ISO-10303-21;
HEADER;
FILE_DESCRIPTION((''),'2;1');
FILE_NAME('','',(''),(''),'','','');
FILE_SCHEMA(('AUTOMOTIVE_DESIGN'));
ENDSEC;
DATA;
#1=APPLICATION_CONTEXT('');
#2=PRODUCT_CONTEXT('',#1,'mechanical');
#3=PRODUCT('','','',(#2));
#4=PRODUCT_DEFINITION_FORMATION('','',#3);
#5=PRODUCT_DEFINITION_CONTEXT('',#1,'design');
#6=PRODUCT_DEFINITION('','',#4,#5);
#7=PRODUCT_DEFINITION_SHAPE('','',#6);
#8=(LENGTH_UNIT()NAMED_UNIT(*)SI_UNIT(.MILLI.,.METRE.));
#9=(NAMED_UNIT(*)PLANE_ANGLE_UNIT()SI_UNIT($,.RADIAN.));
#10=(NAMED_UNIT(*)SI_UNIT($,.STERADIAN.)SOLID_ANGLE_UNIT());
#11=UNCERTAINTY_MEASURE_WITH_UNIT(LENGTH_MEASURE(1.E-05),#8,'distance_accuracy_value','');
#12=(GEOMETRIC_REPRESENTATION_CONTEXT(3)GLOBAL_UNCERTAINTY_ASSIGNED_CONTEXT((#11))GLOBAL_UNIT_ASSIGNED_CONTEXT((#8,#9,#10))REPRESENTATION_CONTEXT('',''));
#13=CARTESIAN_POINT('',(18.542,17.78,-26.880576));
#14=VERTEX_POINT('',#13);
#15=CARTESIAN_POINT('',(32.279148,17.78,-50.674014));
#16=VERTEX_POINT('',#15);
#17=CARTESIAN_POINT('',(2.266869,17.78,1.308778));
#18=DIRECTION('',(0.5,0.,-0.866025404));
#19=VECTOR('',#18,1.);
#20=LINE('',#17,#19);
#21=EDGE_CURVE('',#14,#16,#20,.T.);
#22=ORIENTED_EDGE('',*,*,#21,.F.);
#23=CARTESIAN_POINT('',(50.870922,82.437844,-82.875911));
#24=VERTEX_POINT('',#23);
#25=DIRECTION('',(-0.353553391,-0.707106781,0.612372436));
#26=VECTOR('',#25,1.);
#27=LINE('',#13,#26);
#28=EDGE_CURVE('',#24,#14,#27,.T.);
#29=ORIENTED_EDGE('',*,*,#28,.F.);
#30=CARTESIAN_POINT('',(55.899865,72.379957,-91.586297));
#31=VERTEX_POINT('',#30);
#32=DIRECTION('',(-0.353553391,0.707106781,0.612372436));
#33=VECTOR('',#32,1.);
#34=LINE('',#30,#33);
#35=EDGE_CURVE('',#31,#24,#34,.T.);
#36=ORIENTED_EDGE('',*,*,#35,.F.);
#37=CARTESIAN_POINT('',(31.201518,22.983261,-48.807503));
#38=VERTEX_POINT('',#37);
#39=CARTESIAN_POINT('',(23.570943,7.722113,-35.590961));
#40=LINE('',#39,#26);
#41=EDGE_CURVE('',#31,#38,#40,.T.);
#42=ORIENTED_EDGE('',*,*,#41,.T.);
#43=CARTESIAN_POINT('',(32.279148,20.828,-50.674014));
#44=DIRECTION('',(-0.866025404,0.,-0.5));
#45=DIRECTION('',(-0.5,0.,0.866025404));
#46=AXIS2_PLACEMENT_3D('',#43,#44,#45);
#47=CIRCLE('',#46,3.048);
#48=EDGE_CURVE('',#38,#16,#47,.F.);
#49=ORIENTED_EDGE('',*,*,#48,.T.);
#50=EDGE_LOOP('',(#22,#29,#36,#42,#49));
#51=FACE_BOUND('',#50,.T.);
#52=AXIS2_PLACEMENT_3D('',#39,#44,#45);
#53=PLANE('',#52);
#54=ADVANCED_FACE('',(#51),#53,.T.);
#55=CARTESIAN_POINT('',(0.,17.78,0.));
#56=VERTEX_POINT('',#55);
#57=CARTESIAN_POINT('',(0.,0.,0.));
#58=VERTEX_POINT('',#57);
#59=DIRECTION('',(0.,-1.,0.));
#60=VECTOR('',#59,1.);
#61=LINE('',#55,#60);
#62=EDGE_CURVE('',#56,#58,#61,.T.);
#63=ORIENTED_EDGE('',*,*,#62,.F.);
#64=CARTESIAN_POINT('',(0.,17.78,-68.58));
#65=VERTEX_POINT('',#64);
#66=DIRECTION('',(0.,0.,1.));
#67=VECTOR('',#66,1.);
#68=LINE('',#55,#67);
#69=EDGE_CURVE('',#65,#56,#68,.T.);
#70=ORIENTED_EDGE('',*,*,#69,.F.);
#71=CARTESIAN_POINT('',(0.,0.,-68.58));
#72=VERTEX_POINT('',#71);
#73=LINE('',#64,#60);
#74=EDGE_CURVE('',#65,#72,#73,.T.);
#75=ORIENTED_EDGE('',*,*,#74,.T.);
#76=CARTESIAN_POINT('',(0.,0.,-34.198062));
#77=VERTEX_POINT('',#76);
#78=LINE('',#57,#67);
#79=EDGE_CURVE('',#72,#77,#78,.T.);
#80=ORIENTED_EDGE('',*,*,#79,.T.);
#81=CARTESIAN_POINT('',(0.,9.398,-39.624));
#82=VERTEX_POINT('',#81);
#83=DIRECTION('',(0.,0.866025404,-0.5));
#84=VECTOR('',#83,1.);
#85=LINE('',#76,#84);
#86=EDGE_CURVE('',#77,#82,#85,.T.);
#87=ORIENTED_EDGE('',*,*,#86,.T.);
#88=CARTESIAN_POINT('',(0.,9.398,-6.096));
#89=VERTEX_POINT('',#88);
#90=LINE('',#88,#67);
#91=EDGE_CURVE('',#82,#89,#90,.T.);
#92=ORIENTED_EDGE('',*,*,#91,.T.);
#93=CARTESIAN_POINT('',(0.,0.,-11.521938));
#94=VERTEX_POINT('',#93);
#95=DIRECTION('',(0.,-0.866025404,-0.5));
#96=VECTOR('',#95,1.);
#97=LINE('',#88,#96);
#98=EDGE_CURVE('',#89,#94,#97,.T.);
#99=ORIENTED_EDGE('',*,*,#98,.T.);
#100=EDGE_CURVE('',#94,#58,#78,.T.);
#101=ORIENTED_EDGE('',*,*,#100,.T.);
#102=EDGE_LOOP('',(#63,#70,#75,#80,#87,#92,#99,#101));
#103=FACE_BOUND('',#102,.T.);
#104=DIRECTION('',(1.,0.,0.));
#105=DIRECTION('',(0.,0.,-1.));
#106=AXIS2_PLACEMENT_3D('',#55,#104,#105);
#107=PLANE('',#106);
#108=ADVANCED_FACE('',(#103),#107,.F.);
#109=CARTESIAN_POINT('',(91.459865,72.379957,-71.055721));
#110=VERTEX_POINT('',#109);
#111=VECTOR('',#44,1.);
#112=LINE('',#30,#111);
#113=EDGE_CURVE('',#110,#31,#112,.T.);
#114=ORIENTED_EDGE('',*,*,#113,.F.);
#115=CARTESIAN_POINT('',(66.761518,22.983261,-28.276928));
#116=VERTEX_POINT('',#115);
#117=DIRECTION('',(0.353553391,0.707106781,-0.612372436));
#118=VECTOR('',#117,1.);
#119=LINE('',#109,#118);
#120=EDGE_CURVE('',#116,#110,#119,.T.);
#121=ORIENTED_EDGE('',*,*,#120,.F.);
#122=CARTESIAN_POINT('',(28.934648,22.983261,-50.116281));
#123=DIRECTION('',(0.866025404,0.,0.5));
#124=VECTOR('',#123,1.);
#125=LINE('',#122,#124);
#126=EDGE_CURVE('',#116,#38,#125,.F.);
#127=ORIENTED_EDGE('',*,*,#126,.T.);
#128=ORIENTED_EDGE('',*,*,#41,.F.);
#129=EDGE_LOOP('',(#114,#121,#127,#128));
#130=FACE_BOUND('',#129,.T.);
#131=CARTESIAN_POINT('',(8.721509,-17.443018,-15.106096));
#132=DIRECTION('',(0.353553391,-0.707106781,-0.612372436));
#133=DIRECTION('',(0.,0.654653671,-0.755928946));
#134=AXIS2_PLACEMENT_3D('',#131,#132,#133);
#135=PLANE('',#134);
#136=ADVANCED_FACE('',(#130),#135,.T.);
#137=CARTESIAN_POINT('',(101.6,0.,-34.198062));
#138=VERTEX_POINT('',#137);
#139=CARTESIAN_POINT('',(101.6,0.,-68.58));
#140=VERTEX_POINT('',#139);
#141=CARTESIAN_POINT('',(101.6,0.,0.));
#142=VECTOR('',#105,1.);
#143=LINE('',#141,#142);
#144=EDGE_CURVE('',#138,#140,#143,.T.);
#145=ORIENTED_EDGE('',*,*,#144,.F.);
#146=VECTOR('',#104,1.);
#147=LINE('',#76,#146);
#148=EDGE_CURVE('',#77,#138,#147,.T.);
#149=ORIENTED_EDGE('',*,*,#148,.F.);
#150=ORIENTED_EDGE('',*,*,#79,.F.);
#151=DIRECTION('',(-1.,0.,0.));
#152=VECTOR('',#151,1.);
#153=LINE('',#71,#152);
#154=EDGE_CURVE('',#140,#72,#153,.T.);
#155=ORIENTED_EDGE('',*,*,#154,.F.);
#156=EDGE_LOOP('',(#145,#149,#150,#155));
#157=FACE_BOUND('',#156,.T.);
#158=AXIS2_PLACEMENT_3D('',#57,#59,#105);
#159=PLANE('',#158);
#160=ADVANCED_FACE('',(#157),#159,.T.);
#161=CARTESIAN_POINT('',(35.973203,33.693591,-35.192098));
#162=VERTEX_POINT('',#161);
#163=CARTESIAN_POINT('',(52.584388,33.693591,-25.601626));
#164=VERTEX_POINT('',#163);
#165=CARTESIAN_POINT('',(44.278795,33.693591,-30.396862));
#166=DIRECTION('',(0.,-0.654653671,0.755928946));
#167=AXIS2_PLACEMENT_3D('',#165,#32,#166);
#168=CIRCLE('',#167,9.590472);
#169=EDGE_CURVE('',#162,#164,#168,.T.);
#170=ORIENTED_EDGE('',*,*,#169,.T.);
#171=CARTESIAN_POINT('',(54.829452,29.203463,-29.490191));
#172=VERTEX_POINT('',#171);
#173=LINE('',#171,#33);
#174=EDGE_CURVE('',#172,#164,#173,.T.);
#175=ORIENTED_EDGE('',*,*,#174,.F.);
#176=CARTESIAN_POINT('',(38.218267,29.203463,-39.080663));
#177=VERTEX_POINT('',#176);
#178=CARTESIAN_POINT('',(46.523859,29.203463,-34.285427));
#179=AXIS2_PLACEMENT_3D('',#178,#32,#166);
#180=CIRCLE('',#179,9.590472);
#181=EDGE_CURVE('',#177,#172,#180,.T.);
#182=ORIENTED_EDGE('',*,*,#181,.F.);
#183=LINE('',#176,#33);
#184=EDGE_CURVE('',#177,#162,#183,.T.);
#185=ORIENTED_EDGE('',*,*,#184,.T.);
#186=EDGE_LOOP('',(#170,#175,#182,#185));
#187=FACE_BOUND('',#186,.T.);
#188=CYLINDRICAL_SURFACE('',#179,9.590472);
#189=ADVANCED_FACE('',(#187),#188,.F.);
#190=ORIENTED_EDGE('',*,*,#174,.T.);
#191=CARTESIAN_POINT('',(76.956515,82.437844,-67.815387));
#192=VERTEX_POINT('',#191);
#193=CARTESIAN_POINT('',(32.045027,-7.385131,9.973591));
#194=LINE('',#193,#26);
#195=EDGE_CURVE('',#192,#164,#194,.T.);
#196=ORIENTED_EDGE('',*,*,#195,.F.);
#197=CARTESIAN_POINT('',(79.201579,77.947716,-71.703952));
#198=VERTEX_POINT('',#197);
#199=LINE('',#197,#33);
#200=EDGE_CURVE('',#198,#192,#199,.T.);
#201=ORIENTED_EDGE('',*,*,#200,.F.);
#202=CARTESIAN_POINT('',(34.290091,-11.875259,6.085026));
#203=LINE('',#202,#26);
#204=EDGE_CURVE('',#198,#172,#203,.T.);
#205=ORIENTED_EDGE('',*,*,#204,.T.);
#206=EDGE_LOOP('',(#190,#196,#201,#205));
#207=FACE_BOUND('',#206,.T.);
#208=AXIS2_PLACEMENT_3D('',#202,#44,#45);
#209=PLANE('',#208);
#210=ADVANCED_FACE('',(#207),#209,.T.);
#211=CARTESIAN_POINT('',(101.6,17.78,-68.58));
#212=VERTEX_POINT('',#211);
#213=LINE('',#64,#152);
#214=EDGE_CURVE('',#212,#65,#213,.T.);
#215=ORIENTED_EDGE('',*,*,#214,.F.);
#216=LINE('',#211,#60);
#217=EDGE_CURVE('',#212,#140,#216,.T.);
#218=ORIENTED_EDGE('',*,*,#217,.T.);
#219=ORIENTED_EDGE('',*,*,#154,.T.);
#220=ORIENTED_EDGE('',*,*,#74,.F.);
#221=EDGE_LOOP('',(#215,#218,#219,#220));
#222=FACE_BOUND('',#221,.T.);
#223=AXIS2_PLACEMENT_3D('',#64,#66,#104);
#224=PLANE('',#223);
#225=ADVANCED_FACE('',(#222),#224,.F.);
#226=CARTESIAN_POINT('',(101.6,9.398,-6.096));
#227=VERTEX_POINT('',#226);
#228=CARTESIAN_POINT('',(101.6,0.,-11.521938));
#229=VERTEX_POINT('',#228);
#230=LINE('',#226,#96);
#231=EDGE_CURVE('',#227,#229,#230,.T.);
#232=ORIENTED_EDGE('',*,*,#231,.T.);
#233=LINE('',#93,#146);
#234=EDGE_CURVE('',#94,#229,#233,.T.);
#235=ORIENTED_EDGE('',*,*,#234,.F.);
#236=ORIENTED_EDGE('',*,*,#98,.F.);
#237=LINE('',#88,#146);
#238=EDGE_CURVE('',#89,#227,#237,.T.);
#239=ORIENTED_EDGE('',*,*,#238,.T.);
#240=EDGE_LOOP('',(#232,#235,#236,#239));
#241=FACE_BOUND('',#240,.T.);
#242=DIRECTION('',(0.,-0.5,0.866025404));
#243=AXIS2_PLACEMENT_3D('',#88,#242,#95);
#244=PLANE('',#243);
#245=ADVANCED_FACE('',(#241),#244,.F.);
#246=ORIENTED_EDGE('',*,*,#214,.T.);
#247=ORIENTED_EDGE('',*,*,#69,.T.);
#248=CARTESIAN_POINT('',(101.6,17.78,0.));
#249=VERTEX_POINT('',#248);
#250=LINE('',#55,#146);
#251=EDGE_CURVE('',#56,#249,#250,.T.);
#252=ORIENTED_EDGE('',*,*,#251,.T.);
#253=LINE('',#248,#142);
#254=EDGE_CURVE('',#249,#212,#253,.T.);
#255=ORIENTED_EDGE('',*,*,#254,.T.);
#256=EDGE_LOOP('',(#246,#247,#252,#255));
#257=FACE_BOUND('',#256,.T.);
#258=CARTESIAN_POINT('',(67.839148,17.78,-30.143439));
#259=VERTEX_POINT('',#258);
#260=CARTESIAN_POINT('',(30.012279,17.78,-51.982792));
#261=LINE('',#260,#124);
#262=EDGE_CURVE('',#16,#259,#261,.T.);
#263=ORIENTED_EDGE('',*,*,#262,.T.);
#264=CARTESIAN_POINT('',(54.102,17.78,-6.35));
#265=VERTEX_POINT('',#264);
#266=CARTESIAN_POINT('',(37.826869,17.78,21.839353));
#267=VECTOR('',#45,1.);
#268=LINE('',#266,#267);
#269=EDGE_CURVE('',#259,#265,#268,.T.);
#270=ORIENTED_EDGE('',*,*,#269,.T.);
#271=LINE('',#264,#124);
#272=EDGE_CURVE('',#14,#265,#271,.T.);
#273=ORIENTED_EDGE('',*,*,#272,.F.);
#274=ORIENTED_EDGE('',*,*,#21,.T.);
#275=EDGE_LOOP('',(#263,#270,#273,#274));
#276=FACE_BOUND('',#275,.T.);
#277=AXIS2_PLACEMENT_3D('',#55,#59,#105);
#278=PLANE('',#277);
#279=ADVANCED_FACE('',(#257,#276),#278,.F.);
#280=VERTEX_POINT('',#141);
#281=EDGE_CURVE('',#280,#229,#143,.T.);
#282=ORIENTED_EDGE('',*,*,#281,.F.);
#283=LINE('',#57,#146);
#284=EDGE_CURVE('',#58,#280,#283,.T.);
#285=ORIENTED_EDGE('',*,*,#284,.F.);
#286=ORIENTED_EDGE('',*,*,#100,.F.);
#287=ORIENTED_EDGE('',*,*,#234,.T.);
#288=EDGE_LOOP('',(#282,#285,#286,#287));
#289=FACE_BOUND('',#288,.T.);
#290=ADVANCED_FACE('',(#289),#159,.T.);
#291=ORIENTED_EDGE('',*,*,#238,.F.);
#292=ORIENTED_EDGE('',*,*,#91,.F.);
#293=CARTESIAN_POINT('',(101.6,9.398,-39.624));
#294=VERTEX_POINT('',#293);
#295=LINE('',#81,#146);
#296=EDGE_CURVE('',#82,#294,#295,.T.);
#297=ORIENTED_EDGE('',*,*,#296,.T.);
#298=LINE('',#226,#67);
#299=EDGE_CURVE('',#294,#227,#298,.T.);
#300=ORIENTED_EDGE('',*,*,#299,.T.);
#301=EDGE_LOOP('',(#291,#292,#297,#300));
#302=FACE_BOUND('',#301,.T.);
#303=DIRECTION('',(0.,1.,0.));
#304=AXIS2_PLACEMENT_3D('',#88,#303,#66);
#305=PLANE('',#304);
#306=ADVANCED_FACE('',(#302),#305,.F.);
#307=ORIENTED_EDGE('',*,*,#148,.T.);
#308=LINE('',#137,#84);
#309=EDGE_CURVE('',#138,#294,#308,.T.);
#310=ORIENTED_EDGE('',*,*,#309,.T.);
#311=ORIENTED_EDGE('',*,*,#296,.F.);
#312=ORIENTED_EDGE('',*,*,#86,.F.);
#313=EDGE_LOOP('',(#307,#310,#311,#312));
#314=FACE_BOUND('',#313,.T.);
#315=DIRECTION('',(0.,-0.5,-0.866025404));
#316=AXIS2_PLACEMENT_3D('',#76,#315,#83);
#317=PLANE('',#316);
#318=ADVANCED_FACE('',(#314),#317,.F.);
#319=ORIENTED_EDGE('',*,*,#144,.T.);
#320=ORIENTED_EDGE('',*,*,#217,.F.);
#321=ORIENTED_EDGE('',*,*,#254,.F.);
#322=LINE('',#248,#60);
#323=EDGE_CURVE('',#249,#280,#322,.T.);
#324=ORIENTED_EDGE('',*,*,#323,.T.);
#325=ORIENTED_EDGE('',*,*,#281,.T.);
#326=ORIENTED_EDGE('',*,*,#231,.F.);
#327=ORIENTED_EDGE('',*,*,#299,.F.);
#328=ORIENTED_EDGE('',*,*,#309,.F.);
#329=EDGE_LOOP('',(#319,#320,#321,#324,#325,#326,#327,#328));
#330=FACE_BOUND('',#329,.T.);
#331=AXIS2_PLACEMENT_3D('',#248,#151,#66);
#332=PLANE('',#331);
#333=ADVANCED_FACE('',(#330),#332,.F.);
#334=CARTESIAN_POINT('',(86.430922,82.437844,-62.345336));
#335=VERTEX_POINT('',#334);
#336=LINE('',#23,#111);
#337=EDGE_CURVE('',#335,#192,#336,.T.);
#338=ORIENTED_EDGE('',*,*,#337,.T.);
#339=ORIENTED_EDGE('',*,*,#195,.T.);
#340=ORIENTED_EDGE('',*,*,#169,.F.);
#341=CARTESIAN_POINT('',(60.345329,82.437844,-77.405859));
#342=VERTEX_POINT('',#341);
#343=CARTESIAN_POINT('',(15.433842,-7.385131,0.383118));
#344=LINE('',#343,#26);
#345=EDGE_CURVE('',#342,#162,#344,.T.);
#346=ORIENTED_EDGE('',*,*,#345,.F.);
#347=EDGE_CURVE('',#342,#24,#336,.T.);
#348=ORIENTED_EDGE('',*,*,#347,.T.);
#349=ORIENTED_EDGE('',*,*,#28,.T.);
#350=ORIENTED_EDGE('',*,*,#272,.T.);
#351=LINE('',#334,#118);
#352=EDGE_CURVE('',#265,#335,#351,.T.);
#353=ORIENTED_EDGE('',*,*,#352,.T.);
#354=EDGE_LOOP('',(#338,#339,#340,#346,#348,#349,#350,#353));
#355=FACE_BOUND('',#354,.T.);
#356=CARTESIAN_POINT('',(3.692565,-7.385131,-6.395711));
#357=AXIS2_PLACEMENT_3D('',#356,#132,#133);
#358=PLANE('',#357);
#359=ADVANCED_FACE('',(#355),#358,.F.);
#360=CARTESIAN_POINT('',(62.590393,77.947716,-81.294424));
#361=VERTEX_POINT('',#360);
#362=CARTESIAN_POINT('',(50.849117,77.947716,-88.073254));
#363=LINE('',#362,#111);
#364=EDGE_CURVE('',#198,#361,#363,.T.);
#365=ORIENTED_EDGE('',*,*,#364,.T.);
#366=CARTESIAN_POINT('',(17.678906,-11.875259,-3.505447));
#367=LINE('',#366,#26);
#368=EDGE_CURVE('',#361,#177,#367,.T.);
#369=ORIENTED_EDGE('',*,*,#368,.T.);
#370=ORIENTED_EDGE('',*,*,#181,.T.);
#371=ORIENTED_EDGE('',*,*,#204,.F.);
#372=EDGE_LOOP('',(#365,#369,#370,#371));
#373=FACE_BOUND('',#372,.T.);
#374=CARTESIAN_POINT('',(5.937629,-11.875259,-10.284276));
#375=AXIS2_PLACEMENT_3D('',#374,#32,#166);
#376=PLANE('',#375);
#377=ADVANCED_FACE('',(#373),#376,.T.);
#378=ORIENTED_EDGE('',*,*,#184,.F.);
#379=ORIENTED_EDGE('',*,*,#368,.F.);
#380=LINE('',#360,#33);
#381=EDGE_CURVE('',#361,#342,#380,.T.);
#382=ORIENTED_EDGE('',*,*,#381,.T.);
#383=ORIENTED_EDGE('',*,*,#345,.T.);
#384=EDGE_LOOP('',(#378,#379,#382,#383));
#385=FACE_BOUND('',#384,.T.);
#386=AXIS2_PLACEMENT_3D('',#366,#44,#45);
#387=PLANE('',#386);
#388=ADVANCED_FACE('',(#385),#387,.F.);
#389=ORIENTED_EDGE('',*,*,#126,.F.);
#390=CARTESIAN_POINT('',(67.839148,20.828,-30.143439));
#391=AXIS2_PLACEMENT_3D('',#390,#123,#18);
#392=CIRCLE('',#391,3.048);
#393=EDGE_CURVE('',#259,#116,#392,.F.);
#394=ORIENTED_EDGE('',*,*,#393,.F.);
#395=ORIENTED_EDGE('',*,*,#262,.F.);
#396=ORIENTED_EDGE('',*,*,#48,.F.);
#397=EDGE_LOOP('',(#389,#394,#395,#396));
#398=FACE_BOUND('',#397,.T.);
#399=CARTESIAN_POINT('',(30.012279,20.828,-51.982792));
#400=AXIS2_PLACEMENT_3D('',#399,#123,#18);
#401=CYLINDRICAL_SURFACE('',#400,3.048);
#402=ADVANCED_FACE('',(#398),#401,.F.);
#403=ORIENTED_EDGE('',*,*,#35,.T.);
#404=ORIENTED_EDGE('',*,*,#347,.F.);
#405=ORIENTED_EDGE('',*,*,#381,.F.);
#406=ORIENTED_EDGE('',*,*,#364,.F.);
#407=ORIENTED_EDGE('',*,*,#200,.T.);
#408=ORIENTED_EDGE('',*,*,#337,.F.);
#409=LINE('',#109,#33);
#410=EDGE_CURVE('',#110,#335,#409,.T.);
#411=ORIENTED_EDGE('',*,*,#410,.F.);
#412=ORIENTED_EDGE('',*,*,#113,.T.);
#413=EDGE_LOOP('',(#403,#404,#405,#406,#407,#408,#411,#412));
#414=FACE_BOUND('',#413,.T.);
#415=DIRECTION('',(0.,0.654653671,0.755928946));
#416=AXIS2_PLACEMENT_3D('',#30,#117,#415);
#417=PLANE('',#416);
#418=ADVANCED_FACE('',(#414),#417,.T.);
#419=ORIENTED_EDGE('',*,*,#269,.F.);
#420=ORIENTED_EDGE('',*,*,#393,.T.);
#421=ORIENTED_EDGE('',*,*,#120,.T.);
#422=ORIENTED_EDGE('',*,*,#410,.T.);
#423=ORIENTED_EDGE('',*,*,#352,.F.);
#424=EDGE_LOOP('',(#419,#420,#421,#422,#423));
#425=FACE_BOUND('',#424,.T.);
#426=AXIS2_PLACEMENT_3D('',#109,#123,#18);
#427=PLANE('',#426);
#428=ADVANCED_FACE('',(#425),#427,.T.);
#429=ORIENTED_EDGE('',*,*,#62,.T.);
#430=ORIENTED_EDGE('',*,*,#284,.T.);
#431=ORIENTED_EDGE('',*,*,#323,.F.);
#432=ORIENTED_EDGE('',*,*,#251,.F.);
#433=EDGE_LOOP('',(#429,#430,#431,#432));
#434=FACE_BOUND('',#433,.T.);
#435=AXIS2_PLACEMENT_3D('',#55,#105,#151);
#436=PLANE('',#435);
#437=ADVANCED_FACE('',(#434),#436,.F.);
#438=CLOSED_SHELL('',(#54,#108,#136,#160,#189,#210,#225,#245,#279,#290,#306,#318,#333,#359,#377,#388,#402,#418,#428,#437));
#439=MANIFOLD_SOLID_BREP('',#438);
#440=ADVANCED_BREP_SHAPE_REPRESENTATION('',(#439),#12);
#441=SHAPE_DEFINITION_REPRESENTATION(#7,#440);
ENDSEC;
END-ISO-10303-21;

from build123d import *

# Parameters (mm, degrees)
CROQUIS1_W              = 101.6
CROQUIS1_H              = 68.58
SALIENTE_EXTRUIR1_DEPTH = 17.78
CROQUIS4_W              = 41.061151145
CROQUIS4_H              = 91.44
SALIENTE_EXTRUIR2_DEPTH = 14.224
CORTAR_EXTRUIR1_DEPTH   = 6.35
REDONDEO2_R             = 3.048
CORTAR_EXTRUIR2_DEPTH   = 160.707882909


with BuildPart() as part:
    # Croquis1 → Saliente-Extruir1 (new body)
    with BuildSketch(Plane(origin=(0, 0, 0), x_dir=(1, 0, 0), z_dir=(0, 1, 0))):
        with Locations((50.8, 34.29)):
            Rectangle(CROQUIS1_W, CROQUIS1_H)
    extrude(amount=SALIENTE_EXTRUIR1_DEPTH)

    # Croquis4 → Saliente-Extruir2 (add)
    with BuildSketch(Plane(origin=(3.692565329, -7.385130657, -6.395710759), x_dir=(-0.8660254037844416, 0, -0.49999999999999484), z_dir=(-0.3535533905932708, 0.7071067811865462, 0.6123724356957978))):
        with Locations((-23.148130824, -81.308869074)):
            Rectangle(CROQUIS4_W, CROQUIS4_H)
    extrude(amount=-SALIENTE_EXTRUIR2_DEPTH)

    # Croquis5 → Cortar-Extruir1 (cut)
    with BuildSketch(Plane(origin=(3.692565329, -7.385130657, -6.395710759), x_dir=(0.9354143466934866, 0.2672612419124214, 0.23145502494313694), z_dir=(-0.35355339059327084, 0.707106781186546, 0.612372435695798))):
        with BuildLine():
            Line((60.564352246, 112.481567013), (78.322456444, 105.231851332))
            Line((78.322456444, 105.231851332), (52.267557185, 41.410642848))
            ThreePointArc((52.267557185, 41.410642848), (39.763647245, 36.156448589), (34.509452987, 48.660358529))
            Line((34.509452987, 48.660358529), (60.564352246, 112.481567013))
        make_face()
    extrude(amount=-CORTAR_EXTRUIR1_DEPTH, mode=Mode.SUBTRACT)

    # Redondeo2
    redondeo2_edges = [part.edges().sort_by_distance(p)[0] for p in [
        (46.379886856, 17.78, -34.036058837),
    ]]
    fillet(redondeo2_edges, radius=REDONDEO2_R)

    # Croquis6 → Cortar-Extruir2 (cut, through all)
    with BuildSketch(Plane(origin=(101.6, 0, 0), x_dir=(0, 0, -1), z_dir=(1, 0, 0))):
        Polygon((6.096, 9.398), (39.624, 9.398), (34.19806217, 0), (11.52193783, 0), align=None)
    extrude(amount=-CORTAR_EXTRUIR2_DEPTH, mode=Mode.SUBTRACT)


solid = part.part
